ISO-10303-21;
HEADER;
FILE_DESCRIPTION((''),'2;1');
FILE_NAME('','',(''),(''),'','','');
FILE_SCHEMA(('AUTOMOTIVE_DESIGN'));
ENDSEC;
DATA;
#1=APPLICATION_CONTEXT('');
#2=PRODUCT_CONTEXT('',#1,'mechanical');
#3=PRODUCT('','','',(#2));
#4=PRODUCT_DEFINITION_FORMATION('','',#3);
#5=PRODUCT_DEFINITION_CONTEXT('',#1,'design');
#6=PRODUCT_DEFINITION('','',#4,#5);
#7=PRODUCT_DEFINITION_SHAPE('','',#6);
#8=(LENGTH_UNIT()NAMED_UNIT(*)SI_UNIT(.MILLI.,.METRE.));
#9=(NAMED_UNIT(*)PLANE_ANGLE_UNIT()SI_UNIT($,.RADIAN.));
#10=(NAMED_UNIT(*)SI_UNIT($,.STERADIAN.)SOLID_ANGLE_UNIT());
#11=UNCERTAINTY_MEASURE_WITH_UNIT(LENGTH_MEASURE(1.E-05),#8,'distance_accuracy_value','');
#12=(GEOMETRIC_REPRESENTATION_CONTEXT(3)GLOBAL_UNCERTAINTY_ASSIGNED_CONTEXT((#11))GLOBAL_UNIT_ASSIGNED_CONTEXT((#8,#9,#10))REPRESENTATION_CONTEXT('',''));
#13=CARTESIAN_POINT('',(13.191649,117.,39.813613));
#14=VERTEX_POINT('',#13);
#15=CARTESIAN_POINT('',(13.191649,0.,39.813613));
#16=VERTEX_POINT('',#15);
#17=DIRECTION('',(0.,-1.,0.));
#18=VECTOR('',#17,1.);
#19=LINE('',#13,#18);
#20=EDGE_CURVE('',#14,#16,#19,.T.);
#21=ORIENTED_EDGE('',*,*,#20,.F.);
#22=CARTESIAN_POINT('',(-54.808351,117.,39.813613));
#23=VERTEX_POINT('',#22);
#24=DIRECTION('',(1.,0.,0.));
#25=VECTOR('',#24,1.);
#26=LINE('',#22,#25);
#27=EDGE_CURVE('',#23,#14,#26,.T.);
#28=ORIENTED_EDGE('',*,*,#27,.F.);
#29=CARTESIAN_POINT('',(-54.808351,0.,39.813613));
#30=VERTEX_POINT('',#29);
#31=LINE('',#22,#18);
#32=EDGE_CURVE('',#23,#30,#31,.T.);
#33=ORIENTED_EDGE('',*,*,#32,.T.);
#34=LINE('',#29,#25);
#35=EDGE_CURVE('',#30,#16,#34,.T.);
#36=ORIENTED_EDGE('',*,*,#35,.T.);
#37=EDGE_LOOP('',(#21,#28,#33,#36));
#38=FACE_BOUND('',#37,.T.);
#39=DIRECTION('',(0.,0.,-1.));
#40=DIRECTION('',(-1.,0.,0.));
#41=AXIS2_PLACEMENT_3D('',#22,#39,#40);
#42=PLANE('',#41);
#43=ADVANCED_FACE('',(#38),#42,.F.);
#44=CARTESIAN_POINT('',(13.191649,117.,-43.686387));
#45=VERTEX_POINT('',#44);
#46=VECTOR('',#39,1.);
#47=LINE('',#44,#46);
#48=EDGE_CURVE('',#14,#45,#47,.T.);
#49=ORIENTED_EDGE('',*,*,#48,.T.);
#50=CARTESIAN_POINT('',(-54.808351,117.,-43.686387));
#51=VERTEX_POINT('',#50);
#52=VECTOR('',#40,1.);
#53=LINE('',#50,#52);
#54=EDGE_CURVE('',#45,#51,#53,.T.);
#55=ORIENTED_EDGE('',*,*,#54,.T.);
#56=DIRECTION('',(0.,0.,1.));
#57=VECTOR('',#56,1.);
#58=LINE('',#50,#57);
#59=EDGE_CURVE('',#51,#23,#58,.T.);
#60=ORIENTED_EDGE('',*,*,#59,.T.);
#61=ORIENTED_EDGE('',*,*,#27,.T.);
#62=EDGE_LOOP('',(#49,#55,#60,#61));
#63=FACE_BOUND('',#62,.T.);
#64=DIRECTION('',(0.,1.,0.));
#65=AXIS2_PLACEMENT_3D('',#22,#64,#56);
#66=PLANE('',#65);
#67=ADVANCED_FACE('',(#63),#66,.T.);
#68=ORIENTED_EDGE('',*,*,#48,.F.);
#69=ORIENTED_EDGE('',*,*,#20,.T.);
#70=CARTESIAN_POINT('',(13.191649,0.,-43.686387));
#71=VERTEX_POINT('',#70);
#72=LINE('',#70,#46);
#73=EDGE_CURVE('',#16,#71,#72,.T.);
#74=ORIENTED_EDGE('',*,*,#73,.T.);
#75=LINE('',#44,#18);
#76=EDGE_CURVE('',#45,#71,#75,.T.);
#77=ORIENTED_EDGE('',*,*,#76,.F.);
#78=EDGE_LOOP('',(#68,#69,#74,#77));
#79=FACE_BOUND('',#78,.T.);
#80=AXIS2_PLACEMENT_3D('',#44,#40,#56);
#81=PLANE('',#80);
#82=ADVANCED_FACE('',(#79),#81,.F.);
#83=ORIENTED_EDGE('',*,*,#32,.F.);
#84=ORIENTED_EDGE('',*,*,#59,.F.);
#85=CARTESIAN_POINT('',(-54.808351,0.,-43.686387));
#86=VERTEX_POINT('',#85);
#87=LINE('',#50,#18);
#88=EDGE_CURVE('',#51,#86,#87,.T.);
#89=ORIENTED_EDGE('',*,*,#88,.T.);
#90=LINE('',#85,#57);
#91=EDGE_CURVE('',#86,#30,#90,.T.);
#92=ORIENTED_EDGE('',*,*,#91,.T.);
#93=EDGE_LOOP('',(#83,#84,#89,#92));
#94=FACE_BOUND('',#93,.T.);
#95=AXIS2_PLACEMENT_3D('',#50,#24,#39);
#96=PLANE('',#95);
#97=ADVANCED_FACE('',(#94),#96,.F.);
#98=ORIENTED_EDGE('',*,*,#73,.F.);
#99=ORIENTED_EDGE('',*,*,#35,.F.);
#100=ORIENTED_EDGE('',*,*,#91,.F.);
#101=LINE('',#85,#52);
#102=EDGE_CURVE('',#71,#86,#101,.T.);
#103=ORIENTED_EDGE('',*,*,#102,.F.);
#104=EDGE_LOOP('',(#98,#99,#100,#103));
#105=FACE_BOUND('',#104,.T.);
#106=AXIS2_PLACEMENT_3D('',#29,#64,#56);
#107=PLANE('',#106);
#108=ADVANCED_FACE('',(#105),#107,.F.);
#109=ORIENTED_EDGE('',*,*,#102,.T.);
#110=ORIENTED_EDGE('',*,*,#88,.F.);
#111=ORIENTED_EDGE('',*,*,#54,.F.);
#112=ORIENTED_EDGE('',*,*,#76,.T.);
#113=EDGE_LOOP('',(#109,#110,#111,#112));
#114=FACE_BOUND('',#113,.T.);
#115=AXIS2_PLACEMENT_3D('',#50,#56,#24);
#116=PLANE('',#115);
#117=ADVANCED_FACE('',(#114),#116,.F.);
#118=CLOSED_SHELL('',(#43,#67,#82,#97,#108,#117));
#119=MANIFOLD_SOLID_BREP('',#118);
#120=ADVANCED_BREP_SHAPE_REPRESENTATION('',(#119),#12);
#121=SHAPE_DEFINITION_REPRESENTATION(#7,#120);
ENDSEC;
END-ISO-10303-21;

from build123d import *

# Parameters (mm, degrees)
SKETCH1_W           = 68
SKETCH1_H           = 83.5
BOSS_EXTRUDE1_DEPTH = 117


with BuildPart() as part:
    # Sketch1 → Boss-Extrude1 (new body)
    with BuildSketch(Plane(origin=(0, 0, 0), x_dir=(1, 0, 0), z_dir=(0, 1, 0))):
        with Locations((-20.808350739, 1.936386728)):
            Rectangle(SKETCH1_W, SKETCH1_H)
    extrude(amount=BOSS_EXTRUDE1_DEPTH)


solid = part.part
